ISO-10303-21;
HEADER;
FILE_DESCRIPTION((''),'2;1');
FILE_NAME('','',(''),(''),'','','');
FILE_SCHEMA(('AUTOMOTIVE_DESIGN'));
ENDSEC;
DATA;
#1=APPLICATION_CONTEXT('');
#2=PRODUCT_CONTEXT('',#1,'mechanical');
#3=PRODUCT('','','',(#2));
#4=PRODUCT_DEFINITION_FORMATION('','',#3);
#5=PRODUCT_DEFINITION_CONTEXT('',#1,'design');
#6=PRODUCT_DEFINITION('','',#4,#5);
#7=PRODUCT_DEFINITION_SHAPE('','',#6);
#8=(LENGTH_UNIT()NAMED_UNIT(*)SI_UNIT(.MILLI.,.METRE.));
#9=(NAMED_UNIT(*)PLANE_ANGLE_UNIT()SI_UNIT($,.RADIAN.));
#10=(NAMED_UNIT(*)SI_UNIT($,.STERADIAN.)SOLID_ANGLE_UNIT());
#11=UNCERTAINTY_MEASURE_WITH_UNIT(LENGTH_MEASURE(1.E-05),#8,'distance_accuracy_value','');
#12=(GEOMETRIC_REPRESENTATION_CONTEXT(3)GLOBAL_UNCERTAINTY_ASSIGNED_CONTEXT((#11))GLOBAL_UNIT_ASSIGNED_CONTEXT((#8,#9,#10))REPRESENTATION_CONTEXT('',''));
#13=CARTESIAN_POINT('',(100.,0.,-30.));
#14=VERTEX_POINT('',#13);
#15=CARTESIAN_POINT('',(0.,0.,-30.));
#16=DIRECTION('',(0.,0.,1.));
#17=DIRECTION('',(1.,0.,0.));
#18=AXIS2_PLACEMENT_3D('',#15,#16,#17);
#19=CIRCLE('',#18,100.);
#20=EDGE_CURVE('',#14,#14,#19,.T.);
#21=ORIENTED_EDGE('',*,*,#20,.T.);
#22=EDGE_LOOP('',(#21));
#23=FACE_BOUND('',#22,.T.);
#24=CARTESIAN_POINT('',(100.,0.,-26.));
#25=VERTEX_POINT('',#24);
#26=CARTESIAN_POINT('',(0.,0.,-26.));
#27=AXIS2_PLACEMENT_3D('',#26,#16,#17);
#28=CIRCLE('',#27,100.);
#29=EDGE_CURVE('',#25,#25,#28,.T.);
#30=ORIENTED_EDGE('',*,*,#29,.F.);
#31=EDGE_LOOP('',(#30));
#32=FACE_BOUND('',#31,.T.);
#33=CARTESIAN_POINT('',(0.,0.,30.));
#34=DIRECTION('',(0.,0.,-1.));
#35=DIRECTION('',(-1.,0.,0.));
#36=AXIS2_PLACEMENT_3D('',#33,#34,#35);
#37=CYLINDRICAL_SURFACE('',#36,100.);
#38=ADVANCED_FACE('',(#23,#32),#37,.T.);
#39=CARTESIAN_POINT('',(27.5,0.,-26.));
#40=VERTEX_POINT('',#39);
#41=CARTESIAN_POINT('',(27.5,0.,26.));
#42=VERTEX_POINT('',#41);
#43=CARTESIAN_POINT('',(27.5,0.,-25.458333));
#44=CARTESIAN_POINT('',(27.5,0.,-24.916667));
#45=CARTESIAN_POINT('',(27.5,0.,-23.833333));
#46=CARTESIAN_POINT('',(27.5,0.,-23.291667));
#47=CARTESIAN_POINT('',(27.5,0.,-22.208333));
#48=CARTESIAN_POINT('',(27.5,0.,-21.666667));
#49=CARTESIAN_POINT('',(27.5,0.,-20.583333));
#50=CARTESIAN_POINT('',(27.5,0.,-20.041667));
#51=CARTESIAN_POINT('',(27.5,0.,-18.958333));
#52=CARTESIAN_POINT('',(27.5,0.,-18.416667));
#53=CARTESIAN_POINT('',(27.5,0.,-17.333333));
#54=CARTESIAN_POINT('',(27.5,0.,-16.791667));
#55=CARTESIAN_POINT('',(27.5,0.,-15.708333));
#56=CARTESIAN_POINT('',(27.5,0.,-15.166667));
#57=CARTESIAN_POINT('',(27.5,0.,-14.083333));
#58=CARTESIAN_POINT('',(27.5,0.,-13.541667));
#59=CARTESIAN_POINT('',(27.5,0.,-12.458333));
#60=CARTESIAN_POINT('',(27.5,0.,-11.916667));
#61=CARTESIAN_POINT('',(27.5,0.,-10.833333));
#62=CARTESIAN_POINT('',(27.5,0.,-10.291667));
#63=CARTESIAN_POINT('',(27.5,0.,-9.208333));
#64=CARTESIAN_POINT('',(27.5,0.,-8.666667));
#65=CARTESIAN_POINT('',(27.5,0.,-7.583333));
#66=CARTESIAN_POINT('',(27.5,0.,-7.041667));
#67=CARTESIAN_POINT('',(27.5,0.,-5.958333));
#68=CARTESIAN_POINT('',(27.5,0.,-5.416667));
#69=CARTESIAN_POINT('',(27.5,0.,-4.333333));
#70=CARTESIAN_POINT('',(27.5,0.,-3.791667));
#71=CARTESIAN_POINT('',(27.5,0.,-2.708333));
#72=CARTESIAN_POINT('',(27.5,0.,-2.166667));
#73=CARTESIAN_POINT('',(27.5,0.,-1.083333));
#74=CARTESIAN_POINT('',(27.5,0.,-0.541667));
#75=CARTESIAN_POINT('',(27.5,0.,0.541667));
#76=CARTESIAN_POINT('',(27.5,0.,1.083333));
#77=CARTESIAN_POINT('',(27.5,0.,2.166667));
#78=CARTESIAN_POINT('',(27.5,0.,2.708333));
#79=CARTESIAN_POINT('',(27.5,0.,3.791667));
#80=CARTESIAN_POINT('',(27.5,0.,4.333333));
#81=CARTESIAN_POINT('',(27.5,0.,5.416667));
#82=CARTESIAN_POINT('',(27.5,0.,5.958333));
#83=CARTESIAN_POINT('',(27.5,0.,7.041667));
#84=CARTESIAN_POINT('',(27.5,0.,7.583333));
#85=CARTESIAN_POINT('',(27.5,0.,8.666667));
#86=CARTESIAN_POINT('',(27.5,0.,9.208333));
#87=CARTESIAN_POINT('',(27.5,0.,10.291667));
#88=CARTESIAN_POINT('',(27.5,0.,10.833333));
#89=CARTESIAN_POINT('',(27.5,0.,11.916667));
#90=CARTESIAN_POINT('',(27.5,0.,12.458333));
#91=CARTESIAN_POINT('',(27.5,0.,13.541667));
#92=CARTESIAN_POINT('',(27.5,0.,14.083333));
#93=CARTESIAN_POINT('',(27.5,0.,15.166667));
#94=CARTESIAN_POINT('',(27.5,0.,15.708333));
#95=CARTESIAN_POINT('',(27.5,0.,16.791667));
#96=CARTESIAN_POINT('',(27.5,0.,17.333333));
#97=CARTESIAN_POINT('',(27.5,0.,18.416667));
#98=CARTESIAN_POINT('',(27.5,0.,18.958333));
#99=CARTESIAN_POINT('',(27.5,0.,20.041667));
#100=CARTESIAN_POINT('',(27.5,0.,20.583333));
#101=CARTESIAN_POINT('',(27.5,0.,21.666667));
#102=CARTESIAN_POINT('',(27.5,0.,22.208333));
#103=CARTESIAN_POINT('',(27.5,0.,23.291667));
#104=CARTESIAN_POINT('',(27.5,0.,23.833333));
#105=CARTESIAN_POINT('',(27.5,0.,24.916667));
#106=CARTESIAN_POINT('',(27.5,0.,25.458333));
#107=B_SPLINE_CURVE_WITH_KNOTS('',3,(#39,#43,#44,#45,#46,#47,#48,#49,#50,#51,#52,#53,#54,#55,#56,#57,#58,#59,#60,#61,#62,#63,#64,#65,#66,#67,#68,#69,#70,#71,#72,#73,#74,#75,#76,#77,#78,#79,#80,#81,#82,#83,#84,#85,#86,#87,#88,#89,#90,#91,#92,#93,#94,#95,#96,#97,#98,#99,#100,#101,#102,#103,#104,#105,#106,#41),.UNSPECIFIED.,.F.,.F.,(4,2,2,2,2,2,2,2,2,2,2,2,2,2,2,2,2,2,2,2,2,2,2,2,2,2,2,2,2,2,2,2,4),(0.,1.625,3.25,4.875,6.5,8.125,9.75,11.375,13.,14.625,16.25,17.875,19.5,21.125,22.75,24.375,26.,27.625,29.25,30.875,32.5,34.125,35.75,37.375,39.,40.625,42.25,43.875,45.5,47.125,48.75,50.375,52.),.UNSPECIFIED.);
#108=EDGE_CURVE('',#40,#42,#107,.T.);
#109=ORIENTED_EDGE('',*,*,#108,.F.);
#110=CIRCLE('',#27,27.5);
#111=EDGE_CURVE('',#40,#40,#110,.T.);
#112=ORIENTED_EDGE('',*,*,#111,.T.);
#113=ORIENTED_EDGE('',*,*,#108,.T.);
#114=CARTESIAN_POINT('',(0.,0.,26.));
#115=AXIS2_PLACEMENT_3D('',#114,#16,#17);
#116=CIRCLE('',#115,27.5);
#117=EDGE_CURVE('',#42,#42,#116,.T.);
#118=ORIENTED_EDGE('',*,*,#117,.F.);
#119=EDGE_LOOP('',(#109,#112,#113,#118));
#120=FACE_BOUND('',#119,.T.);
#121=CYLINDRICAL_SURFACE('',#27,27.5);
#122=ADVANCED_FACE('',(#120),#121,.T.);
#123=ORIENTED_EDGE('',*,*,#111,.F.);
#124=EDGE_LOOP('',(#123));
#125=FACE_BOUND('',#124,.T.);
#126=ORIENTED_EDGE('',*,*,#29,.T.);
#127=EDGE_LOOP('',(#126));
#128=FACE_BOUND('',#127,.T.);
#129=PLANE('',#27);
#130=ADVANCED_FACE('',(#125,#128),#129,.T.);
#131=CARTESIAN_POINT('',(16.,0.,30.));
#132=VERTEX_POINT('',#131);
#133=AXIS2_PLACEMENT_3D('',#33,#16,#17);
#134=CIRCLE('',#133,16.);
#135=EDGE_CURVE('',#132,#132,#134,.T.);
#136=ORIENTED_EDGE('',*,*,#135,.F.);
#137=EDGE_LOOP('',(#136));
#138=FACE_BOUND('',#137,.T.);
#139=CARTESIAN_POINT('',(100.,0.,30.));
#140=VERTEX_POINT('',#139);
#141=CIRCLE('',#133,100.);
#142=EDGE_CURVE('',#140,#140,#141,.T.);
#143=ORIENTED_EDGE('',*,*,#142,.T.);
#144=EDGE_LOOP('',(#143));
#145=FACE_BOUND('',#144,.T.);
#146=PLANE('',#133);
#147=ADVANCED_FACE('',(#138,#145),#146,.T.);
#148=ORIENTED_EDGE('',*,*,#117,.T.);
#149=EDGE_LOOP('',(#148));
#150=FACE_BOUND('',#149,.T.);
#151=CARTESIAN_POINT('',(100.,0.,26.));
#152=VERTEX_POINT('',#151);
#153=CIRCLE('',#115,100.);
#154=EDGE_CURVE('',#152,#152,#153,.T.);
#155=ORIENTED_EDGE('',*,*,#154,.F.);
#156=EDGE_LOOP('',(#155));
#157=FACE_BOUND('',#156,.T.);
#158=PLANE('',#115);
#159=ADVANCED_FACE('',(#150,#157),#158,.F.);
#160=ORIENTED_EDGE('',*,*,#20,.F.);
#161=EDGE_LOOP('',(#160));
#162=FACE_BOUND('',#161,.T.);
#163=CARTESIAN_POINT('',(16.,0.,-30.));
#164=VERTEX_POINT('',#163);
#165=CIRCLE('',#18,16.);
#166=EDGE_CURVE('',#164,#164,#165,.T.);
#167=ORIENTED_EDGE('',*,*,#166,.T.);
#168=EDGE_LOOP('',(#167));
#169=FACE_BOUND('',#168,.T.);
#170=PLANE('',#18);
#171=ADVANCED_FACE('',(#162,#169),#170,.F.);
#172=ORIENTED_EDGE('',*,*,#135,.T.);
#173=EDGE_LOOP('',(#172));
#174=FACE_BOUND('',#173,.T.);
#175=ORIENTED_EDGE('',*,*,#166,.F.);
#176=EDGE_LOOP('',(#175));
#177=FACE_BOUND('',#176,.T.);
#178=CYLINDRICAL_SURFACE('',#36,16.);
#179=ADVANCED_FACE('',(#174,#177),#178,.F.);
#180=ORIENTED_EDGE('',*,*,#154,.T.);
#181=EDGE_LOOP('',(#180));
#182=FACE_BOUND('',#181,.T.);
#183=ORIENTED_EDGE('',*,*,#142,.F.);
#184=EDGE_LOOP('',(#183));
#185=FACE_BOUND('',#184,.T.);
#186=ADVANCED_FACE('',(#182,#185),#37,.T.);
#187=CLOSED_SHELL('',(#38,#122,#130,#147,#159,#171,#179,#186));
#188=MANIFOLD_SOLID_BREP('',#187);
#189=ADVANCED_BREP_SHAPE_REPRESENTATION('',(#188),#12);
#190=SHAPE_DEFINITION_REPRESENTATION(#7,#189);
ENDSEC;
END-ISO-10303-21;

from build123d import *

# Parameters (mm, degrees)
SKETCH1_R           = 100
SKETCH1_R_2         = 26.25
SKETCH1_R_3         = 16.000000004
BOSS_EXTRUDE1_DEPTH = 30
SKETCH2_R           = 100
SKETCH2_R_2         = 27.5
CUT_EXTRUDE1_DEPTH  = 26


with BuildPart() as part:
    # Sketch1 → Boss-Extrude1 (new, symmetric)
    # profile 1 of 2: a face of its own
    with BuildSketch(Plane.XY):
        Circle(SKETCH1_R)
        Circle(SKETCH1_R_2, mode=Mode.SUBTRACT)
    # profile 2 of 2: a face of its own
    with BuildSketch(Plane.XY):
        Circle(SKETCH1_R_2)
        Circle(SKETCH1_R_3, mode=Mode.SUBTRACT)
    extrude(amount=BOSS_EXTRUDE1_DEPTH, both=True)

    # Sketch2 → Cut-Extrude1 (cut, symmetric)
    with BuildSketch(Plane.XY):
        Circle(SKETCH2_R)
        Circle(SKETCH2_R_2, mode=Mode.SUBTRACT)
    extrude(amount=CUT_EXTRUDE1_DEPTH, both=True, mode=Mode.SUBTRACT)


solid = part.part
